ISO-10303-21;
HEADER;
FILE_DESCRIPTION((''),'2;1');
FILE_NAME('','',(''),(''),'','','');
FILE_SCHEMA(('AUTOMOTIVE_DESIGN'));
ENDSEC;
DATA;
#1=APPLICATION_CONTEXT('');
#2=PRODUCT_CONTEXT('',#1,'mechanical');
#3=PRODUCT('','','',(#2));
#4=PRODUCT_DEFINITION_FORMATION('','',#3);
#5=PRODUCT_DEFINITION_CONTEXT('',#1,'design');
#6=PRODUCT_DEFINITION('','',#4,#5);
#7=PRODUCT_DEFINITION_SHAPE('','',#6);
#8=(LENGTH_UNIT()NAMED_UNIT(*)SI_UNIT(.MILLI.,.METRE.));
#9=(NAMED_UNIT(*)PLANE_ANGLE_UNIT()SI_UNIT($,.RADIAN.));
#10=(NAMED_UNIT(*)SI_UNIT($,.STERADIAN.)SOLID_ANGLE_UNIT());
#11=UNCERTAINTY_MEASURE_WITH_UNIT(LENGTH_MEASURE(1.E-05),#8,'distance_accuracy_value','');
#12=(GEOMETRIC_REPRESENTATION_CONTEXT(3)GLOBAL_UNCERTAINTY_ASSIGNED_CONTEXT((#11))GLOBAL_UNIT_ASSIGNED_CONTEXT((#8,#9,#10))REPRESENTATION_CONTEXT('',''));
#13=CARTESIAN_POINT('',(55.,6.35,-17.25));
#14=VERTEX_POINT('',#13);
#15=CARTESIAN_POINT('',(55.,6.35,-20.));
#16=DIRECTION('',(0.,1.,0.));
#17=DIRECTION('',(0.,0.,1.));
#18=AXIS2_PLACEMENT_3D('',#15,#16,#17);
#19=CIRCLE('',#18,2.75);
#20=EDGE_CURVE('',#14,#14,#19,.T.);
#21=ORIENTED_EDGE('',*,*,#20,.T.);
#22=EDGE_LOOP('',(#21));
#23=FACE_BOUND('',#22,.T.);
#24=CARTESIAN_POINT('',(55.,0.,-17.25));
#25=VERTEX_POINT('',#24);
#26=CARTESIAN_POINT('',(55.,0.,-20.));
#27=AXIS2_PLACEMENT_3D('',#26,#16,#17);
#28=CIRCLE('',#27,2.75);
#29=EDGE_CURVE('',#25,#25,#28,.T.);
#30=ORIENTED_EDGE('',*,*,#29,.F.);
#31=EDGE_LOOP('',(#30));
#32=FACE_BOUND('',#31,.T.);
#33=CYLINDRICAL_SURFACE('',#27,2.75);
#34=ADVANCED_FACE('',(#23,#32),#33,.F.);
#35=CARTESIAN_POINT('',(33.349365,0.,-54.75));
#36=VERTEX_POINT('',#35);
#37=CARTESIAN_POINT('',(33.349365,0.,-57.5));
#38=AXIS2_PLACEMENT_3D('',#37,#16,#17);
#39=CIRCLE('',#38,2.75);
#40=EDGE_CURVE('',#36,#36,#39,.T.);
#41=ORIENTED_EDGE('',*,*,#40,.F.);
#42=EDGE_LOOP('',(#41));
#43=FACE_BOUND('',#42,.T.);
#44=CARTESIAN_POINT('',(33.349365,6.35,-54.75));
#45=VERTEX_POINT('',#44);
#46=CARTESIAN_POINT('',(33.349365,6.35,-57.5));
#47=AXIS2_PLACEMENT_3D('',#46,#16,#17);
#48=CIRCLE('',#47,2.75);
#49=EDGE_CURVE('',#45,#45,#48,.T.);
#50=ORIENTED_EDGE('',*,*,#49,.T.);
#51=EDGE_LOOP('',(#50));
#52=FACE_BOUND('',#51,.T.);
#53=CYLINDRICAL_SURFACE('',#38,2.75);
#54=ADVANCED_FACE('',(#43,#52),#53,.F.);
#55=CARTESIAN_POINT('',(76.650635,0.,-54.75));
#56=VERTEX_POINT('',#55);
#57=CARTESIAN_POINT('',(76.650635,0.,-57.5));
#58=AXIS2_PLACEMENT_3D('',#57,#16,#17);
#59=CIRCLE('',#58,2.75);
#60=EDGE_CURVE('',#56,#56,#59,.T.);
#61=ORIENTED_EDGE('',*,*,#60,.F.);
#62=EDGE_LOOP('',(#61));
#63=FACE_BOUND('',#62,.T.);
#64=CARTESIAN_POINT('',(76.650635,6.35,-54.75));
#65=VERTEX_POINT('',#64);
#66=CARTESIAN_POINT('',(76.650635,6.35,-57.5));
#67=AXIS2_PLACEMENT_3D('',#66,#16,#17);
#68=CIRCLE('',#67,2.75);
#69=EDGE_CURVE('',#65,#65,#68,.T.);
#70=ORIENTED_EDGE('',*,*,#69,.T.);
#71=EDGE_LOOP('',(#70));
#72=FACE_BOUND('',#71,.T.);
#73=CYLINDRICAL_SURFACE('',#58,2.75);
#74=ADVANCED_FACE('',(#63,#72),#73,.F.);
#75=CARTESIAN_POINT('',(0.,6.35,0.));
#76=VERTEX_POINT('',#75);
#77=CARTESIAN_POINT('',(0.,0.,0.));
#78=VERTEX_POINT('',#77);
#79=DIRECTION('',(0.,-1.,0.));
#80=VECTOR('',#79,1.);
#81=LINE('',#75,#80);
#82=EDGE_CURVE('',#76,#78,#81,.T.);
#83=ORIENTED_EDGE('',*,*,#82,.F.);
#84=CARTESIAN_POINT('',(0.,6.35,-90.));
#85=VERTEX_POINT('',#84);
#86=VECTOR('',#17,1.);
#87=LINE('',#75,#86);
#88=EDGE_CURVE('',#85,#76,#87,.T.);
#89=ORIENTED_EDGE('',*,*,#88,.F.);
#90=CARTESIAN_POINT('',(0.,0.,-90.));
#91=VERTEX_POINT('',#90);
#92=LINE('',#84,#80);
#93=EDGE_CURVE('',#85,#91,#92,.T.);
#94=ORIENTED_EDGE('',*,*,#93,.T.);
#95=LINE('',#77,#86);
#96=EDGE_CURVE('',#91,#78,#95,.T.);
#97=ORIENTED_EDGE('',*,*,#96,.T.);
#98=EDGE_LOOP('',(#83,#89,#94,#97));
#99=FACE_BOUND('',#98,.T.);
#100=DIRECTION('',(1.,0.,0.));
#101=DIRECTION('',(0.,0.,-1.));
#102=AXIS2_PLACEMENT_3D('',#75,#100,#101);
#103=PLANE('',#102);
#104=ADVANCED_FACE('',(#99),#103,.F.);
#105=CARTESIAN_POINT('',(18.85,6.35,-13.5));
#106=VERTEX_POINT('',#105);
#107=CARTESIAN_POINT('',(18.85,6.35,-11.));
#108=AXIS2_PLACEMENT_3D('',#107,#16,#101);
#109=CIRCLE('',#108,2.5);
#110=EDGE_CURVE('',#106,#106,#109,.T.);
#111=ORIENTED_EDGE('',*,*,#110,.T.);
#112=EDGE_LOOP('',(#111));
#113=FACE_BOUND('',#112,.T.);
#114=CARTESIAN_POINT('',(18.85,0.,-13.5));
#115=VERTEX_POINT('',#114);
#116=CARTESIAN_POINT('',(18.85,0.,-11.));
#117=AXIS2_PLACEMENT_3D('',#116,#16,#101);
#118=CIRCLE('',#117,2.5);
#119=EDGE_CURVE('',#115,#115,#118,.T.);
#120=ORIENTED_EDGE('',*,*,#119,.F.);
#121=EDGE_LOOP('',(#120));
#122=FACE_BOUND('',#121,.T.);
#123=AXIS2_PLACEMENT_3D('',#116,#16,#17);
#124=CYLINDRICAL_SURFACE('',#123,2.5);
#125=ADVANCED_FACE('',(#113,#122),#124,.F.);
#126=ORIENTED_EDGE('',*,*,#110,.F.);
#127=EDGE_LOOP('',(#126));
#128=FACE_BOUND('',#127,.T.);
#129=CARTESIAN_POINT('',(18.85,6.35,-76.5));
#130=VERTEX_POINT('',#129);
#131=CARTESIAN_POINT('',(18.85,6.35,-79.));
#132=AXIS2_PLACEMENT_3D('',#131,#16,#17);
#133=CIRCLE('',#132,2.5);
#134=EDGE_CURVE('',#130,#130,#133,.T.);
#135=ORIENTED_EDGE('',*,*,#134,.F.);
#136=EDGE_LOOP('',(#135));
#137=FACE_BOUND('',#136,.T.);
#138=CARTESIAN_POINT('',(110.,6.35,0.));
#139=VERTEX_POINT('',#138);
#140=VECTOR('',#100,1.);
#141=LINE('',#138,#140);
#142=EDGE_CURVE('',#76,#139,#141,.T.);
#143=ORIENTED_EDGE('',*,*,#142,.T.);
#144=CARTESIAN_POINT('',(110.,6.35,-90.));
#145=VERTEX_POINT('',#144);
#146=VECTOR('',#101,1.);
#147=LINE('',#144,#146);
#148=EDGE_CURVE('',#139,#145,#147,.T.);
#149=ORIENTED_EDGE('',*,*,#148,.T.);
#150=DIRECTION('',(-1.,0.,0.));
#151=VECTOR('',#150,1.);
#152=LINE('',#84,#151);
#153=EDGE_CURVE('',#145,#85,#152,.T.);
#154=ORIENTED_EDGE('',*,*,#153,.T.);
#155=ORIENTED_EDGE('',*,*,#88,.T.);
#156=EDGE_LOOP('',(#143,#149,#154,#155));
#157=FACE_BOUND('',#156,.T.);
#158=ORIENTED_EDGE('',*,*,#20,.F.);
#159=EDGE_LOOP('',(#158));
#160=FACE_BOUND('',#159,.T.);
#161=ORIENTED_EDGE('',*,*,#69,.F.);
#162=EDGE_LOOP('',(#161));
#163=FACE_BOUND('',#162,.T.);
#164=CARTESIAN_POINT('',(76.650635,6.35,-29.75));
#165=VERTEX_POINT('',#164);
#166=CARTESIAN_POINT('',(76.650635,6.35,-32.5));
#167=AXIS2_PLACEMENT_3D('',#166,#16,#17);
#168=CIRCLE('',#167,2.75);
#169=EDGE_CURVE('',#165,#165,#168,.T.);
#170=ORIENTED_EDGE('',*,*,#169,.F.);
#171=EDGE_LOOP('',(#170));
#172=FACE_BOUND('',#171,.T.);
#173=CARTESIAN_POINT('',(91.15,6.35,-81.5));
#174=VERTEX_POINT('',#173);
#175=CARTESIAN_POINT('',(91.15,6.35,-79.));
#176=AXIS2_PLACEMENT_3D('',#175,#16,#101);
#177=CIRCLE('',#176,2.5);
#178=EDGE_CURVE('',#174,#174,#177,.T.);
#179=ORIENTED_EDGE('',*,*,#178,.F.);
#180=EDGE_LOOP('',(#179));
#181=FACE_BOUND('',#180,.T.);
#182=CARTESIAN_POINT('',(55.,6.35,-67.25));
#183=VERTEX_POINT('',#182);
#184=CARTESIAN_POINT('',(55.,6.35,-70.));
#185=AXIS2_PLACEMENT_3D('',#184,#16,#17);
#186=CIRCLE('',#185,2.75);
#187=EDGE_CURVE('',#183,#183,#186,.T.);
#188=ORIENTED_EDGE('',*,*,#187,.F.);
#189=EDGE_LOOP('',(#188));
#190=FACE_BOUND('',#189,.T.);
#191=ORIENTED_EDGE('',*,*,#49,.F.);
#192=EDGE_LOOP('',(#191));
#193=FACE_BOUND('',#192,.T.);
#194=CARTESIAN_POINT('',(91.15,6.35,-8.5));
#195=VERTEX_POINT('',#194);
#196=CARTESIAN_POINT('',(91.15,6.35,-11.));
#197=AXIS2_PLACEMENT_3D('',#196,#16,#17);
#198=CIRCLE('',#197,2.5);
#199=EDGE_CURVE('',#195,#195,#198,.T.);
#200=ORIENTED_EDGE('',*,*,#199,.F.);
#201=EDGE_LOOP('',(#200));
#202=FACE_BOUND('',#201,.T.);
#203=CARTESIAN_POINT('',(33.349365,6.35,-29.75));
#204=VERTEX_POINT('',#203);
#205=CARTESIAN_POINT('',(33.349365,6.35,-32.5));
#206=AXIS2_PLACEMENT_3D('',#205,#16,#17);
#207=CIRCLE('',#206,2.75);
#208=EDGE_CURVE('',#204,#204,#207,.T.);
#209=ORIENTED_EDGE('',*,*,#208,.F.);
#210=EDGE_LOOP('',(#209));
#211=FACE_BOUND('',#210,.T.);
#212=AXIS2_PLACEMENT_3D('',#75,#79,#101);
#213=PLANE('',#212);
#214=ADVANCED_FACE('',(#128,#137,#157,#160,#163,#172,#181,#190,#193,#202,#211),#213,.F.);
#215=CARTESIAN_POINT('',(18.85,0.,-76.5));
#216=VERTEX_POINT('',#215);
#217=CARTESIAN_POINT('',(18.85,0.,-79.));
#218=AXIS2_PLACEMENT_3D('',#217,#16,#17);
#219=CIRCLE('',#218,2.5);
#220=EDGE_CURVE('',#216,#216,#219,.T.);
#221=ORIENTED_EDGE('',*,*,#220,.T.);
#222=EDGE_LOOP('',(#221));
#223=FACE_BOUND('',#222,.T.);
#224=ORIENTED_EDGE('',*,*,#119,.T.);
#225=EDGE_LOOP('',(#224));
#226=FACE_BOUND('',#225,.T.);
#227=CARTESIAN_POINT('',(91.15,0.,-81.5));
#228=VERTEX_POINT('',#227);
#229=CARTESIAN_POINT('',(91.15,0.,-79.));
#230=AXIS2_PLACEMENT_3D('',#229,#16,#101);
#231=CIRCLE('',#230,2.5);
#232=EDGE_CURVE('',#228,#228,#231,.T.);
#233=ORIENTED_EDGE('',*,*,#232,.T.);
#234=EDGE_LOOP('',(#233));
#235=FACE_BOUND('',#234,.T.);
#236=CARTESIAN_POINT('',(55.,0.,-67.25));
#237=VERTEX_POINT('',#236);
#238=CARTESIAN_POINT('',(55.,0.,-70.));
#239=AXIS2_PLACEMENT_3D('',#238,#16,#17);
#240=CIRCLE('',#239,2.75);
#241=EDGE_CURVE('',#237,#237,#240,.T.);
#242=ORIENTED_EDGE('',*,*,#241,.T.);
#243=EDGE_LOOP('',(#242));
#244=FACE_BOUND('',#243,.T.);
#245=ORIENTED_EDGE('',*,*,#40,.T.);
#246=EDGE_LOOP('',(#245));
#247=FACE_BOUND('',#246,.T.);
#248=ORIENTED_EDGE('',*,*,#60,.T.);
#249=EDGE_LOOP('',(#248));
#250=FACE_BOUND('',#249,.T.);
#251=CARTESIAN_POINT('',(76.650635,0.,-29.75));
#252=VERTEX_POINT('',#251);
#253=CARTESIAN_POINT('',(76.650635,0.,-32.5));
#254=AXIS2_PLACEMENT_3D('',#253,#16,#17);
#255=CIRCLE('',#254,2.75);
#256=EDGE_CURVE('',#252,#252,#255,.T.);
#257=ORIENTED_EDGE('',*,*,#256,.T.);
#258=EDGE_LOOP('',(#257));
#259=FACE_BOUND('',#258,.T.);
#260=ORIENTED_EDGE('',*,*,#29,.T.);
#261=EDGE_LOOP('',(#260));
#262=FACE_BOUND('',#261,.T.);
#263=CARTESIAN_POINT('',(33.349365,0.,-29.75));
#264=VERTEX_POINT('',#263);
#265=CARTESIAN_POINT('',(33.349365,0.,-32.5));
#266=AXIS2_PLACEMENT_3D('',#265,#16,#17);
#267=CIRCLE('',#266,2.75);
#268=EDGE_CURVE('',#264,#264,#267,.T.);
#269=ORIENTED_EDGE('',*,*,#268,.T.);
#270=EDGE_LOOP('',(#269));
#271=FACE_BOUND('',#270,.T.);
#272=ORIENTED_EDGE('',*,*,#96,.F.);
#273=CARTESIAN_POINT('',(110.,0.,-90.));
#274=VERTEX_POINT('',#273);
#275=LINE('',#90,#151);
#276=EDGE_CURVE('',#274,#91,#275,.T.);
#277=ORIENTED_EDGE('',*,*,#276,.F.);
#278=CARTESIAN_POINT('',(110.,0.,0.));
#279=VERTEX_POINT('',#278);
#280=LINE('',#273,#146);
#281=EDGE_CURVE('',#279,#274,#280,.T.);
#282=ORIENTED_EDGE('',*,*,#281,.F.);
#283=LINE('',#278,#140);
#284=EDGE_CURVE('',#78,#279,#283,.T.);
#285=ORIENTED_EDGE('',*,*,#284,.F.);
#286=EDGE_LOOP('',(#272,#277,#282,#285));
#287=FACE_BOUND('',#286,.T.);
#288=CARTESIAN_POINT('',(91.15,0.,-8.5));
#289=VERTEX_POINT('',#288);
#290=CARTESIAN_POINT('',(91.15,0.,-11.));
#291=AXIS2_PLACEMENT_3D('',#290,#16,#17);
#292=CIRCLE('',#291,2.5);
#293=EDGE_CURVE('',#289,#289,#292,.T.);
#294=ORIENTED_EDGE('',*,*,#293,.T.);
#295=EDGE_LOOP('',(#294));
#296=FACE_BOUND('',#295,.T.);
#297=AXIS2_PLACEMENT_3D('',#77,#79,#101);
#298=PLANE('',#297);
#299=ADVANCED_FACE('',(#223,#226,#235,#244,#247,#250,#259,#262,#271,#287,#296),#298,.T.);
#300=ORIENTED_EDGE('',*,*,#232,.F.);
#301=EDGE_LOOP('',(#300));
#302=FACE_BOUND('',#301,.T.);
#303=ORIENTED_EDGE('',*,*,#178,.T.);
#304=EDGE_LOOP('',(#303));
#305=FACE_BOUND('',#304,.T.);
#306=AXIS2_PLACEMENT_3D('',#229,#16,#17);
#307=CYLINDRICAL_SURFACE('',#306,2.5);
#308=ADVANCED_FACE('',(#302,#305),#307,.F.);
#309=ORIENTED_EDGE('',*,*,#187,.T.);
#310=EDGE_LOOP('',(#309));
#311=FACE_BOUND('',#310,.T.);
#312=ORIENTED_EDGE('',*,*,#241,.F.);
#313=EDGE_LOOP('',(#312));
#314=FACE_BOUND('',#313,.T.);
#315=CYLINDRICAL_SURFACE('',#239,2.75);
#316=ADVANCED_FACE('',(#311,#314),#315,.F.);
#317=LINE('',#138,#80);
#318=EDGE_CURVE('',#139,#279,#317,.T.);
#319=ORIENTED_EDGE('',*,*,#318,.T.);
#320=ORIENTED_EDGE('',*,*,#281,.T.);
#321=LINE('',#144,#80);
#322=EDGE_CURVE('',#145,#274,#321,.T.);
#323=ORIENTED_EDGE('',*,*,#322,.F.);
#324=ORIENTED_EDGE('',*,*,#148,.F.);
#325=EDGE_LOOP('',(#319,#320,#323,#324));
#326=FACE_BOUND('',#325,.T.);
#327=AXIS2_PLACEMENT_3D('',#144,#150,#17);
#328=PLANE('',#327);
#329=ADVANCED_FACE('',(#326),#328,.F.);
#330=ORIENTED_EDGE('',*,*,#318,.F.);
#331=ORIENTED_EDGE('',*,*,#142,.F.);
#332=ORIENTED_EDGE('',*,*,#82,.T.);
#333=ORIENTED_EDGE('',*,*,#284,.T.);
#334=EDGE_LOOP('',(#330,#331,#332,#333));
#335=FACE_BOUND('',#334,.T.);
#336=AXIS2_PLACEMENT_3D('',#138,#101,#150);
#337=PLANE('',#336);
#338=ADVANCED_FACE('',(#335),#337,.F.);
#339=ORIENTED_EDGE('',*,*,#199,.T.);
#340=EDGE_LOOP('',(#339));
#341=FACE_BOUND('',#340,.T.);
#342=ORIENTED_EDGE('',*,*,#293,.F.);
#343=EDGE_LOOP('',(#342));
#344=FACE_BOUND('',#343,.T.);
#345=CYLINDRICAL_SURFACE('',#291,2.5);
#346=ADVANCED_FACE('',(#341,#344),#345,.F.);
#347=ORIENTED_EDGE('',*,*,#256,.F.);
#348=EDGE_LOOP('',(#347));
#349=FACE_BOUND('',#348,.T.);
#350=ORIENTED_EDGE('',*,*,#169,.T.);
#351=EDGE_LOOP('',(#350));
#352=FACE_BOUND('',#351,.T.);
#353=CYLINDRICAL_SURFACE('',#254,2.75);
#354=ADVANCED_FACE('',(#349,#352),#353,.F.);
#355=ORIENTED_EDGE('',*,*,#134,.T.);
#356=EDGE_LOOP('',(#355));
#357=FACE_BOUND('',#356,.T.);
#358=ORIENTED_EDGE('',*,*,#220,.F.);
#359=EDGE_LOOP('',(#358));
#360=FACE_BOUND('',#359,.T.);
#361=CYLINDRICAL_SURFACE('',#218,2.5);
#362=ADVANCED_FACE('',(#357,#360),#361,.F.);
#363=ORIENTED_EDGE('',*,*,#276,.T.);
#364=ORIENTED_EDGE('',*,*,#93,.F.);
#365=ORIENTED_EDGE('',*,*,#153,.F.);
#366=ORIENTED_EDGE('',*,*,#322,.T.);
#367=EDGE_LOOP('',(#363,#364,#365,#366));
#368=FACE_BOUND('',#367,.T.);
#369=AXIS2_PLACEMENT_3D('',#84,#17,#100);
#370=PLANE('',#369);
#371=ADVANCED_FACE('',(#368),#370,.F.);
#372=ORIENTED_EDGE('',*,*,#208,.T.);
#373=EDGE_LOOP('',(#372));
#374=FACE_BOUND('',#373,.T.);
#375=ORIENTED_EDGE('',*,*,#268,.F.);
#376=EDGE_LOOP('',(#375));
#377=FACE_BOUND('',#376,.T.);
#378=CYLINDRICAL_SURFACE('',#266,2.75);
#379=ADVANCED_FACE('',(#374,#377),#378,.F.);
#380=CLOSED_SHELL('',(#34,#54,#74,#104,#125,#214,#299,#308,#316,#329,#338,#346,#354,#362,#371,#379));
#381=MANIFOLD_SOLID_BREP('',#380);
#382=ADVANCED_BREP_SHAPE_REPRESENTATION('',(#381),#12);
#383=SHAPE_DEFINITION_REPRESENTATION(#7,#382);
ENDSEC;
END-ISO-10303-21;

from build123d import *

# Parameters (mm, degrees)
SKETCH2_W            = 110
SKETCH2_H            = 90
BOSS_EXTRUDE1_DEPTH  = 6.35
SKETCH3_R            = 2.5
MOUNTING_HOLES_DEPTH = 143.268487375
SKETCH4_R            = 2.75
CUT_EXTRUDE1_DEPTH   = 143.268487375


with BuildPart() as part:
    # Sketch2 → Boss-Extrude1 (new body)
    with BuildSketch(Plane(origin=(0, 0, 0), x_dir=(1, 0, 0), z_dir=(0, 1, 0))):
        with Locations((55, 45)):
            Rectangle(SKETCH2_W, SKETCH2_H)
    extrude(amount=BOSS_EXTRUDE1_DEPTH)

    # Sketch3 → Mounting Holes (cut, through all)
    with BuildSketch(Plane(origin=(0, 6.35, 0), x_dir=(1, 0, 0), z_dir=(0, 1, 0))):
        with Locations(Location((18.85, 79, 0), (0, 0, 270))):
            Circle(SKETCH3_R)
        with Locations(Location((18.85, 11, 0), (0, 0, 90))):
            Circle(SKETCH3_R)
        with Locations(Location((91.15, 11, 0), (0, 0, 270))):
            Circle(SKETCH3_R)
        with Locations(Location((91.15, 79, 0), (0, 0, 90))):
            Circle(SKETCH3_R)
    extrude(amount=-MOUNTING_HOLES_DEPTH, mode=Mode.SUBTRACT)

    # Sketch4 → Cut-Extrude1 (cut, through all)
    with BuildSketch(Plane(origin=(0, 6.35, 0), x_dir=(1, 0, 0), z_dir=(0, 1, 0))):
        with Locations(Location((55, 70, 0), (0, 0, 270))):
            Circle(SKETCH4_R)
        with Locations(Location((76.650635095, 57.5, 0), (0, 0, 270))):
            Circle(SKETCH4_R)
        with Locations(Location((76.650635095, 32.5, 0), (0, 0, 270))):
            Circle(SKETCH4_R)
        with Locations(Location((55, 20, 0), (0, 0, 270))):
            Circle(SKETCH4_R)
        with Locations(Location((33.349364905, 32.5, 0), (0, 0, 270))):
            Circle(SKETCH4_R)
        with Locations(Location((33.349364905, 57.5, 0), (0, 0, 270))):
            Circle(SKETCH4_R)
    extrude(amount=-CUT_EXTRUDE1_DEPTH, mode=Mode.SUBTRACT)


solid = part.part
